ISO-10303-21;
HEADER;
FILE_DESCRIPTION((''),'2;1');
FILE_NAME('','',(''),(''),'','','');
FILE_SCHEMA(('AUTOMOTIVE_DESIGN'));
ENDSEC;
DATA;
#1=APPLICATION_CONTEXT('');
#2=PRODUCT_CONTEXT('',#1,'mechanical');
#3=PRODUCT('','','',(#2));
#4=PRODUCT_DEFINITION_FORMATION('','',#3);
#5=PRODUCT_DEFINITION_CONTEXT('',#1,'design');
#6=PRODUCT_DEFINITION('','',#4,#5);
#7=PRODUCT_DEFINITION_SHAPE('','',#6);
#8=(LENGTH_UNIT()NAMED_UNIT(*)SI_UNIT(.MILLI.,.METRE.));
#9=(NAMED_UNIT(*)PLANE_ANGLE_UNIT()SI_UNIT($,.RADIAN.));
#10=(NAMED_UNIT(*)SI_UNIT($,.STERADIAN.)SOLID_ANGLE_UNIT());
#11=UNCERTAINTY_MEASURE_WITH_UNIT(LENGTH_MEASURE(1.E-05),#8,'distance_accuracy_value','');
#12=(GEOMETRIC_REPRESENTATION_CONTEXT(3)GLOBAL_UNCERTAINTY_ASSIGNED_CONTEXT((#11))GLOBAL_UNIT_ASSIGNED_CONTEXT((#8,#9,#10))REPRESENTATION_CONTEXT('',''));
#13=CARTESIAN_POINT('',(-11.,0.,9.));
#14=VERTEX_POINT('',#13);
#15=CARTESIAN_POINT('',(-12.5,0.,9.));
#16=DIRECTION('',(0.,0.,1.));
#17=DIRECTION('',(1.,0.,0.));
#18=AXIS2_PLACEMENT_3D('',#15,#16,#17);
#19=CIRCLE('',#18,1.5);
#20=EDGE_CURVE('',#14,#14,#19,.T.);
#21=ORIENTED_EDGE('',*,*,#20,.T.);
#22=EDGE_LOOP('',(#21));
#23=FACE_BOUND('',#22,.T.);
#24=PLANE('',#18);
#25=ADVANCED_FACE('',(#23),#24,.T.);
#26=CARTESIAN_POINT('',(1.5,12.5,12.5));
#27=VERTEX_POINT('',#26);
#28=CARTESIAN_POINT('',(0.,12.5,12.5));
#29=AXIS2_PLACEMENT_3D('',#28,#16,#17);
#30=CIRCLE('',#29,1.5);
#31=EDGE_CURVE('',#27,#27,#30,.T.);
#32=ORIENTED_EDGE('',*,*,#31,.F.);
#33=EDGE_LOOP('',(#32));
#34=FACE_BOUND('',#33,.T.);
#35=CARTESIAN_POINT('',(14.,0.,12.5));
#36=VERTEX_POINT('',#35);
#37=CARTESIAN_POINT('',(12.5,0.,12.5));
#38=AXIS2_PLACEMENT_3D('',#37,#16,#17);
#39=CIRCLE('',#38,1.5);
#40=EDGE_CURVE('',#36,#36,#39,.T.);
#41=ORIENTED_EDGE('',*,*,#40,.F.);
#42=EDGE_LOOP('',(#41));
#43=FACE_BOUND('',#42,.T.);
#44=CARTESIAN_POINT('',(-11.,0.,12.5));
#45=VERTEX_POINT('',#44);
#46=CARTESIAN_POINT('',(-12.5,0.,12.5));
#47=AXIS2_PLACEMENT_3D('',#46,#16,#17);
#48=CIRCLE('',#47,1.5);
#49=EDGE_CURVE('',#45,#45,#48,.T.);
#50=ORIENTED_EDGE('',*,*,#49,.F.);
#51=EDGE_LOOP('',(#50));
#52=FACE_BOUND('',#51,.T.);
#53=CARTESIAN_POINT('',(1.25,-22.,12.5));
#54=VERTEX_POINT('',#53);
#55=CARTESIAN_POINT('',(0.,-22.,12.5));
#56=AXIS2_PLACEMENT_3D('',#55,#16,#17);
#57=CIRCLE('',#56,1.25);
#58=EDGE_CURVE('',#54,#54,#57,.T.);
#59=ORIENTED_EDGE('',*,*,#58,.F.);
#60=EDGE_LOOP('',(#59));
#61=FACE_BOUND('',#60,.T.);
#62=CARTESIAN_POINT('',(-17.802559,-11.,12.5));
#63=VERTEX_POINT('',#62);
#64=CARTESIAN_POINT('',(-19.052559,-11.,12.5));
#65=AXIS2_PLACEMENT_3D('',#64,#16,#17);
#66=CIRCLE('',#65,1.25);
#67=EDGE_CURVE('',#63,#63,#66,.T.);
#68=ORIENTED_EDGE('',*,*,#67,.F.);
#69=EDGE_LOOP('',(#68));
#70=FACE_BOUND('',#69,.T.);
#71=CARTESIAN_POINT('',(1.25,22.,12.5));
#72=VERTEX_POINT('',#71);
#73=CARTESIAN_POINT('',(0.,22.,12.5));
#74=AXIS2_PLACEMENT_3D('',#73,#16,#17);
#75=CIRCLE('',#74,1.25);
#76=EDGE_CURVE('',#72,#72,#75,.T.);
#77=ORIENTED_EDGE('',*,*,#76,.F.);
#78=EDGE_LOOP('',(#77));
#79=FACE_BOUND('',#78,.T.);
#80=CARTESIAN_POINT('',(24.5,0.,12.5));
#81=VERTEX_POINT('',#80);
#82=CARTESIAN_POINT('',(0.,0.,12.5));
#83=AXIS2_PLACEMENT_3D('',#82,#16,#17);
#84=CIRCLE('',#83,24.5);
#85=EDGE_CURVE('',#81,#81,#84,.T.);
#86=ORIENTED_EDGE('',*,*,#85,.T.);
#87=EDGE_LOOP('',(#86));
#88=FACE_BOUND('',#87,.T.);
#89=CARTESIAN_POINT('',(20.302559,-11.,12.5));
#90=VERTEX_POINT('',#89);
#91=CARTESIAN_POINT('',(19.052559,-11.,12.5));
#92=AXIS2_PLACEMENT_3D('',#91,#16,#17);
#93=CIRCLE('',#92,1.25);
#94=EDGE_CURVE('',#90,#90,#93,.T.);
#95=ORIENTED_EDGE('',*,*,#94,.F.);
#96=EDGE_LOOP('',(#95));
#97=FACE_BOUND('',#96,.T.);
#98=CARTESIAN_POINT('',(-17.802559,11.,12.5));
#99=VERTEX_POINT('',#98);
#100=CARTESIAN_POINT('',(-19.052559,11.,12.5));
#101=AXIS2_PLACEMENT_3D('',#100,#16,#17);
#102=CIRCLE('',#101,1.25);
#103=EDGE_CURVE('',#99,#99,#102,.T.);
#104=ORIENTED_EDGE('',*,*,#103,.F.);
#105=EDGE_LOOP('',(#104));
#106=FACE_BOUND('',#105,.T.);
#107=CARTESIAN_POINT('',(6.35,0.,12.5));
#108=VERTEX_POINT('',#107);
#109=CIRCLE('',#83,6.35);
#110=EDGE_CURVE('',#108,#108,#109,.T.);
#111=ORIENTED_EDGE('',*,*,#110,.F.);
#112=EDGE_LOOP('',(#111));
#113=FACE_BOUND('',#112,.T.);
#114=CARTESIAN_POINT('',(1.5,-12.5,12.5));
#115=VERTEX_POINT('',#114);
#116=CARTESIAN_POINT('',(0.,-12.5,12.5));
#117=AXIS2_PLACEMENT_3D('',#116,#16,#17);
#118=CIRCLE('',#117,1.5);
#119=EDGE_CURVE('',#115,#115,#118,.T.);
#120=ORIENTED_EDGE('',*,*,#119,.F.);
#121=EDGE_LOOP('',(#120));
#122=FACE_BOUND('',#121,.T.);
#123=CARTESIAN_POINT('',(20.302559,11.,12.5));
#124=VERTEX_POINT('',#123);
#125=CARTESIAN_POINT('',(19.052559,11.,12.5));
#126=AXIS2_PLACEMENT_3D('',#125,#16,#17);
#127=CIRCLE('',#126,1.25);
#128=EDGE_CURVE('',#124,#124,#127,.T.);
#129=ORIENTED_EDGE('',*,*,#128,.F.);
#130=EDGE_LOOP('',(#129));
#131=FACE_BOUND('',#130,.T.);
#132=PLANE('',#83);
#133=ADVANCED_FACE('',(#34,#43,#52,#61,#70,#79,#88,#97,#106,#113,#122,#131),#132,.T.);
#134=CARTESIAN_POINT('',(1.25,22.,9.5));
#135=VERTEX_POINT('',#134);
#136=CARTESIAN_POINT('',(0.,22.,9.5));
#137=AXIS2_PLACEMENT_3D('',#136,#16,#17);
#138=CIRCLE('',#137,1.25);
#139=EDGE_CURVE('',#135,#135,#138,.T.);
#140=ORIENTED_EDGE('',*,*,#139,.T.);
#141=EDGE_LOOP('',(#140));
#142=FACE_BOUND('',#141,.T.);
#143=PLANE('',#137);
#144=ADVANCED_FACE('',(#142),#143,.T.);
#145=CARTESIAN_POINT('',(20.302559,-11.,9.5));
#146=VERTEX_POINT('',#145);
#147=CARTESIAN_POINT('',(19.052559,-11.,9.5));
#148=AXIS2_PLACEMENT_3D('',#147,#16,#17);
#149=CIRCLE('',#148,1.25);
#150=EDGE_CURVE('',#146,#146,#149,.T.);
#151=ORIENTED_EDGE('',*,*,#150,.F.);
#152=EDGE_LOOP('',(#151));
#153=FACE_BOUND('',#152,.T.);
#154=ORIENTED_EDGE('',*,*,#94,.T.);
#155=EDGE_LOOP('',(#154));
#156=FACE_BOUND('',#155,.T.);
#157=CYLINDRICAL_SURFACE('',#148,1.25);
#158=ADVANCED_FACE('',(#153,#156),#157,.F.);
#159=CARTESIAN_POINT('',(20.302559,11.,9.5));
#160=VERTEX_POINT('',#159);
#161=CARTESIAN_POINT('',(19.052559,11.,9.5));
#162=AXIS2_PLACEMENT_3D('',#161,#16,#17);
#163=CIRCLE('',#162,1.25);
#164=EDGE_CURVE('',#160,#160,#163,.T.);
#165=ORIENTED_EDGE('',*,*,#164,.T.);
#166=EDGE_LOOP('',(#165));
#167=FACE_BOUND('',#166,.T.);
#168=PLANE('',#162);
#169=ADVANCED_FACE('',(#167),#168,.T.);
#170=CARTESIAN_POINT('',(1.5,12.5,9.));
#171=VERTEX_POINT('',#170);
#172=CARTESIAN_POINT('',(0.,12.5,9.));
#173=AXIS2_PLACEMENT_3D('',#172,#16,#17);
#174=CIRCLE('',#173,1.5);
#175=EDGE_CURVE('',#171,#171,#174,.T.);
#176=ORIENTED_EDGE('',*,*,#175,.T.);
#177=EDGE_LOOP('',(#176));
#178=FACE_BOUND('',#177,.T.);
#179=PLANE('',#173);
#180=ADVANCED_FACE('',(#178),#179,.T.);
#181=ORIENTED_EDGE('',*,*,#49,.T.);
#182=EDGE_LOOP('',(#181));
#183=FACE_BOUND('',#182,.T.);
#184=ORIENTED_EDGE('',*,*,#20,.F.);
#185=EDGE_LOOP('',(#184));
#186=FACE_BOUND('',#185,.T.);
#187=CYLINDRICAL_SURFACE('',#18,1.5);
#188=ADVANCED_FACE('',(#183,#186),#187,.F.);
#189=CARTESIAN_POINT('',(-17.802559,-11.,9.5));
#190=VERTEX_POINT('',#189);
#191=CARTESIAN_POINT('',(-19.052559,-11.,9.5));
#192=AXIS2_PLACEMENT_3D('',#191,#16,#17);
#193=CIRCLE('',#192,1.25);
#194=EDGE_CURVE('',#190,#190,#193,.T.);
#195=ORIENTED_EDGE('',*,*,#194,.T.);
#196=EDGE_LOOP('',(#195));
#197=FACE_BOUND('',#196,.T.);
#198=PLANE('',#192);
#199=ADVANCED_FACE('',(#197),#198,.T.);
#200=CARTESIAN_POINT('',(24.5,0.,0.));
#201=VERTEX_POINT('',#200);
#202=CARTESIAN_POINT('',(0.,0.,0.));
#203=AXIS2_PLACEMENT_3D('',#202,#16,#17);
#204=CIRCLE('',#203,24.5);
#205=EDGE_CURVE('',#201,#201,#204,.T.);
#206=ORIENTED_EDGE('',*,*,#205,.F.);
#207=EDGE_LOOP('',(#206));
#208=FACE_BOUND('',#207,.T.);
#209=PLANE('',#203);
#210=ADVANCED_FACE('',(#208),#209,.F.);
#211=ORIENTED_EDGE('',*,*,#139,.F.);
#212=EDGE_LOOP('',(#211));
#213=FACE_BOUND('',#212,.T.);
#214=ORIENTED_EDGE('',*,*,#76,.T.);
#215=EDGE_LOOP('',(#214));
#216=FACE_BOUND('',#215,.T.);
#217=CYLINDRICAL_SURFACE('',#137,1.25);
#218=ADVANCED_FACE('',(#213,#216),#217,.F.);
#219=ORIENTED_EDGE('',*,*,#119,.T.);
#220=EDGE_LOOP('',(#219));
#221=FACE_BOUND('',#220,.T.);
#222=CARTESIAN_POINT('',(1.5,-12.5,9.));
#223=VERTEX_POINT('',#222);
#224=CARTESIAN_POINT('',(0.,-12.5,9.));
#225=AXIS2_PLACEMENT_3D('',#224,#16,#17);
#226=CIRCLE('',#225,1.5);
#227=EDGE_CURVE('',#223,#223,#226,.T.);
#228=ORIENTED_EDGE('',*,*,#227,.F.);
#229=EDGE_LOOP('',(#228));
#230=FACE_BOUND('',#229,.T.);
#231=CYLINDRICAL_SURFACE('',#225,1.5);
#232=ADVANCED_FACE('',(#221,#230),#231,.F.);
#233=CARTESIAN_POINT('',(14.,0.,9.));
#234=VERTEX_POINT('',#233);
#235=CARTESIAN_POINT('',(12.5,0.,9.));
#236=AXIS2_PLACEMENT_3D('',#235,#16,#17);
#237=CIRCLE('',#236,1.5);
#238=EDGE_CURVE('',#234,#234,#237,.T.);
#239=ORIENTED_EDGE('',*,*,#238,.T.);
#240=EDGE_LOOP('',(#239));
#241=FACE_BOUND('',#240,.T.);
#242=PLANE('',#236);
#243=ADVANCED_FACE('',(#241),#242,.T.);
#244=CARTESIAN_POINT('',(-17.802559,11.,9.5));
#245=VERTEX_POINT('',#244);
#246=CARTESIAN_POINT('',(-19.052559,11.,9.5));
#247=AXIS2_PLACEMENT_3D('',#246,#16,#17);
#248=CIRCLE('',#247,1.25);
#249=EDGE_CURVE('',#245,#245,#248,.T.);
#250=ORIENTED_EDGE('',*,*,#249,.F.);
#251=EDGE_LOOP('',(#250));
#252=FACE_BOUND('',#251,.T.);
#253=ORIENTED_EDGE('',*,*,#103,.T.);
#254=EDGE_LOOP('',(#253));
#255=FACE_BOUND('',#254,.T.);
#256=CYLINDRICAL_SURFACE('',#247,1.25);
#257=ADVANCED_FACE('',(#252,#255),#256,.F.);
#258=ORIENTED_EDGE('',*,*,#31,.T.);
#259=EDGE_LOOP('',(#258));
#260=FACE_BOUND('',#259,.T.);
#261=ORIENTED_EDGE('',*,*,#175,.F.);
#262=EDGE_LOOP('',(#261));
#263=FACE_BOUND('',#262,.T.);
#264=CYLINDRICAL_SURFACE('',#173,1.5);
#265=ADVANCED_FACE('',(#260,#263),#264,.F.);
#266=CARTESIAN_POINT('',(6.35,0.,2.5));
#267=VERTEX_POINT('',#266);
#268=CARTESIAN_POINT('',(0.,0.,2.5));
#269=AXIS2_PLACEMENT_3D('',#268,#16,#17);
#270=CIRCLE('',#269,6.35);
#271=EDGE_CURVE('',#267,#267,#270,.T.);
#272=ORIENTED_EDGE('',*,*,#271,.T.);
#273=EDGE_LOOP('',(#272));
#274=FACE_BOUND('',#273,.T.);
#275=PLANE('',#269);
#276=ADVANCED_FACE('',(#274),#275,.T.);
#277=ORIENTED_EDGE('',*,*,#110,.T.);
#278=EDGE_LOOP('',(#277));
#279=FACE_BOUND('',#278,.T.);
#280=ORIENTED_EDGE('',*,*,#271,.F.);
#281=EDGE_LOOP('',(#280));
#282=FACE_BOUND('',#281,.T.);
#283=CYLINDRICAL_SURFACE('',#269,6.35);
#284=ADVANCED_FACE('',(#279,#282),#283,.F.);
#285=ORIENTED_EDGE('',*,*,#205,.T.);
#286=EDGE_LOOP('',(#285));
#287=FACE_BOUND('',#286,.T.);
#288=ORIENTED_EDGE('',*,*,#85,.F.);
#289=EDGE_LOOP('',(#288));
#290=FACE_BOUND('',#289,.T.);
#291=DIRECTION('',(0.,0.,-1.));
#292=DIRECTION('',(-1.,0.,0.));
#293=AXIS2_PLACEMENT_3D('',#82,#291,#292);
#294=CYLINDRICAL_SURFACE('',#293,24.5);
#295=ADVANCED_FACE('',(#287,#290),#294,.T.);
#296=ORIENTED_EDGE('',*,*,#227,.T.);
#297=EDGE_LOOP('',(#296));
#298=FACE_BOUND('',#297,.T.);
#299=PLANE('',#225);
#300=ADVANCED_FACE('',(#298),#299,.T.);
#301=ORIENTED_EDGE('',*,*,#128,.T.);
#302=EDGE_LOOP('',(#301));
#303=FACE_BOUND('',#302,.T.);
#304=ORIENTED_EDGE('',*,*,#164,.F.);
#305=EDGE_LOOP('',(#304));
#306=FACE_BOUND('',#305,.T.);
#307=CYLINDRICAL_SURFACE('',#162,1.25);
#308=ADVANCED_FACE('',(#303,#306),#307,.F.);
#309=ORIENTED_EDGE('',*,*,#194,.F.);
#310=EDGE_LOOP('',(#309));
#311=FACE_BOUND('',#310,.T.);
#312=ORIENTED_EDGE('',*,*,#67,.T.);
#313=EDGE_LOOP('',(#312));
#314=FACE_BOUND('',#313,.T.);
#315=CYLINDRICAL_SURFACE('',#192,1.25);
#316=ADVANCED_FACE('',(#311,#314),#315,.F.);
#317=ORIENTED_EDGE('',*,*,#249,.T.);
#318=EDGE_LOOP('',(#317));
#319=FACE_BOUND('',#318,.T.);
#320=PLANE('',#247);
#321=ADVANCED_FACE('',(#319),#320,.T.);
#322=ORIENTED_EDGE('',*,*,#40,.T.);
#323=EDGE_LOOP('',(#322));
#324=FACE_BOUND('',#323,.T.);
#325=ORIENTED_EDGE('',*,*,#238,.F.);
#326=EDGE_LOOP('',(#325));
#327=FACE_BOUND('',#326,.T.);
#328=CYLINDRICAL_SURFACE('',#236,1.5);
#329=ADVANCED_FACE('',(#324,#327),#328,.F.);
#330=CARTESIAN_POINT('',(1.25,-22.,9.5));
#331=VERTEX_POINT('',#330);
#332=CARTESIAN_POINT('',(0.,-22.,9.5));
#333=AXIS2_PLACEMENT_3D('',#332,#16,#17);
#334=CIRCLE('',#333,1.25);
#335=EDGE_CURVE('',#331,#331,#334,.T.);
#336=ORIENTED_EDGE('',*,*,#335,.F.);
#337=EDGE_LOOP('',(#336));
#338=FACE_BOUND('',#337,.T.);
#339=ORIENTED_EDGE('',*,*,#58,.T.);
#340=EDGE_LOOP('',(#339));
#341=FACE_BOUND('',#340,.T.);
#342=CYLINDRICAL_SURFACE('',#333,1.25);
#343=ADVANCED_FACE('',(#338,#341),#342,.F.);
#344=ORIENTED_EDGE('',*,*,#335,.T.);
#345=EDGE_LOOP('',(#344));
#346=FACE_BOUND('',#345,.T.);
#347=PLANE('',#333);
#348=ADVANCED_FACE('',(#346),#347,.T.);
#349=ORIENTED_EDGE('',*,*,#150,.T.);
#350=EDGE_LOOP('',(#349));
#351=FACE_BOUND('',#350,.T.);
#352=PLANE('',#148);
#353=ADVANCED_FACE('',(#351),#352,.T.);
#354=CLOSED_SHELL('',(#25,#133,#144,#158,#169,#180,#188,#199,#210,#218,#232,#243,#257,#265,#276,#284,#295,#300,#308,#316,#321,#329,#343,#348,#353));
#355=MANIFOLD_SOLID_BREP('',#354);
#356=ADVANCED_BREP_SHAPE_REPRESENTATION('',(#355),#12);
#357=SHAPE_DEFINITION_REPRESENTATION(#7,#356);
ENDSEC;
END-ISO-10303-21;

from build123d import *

# Parameters (mm, degrees)
SKETCH_1_R          = 24.5
EXTRUDE_1_DEPTH     = 12.5
SKETCH_2_R          = 1.25
CUT_EXTRUDE_1_DEPTH = 3
SKETCH_3_R          = 1.5
CUT_EXTRUDE_2_DEPTH = 3.5
SKETCH_5_R          = 6.35
CUT_EXTRUDE_3_DEPTH = 10


with BuildPart() as part:
    # 草图1 → 凸台-拉伸1 (new body)
    with BuildSketch(Plane.XY):
        Circle(SKETCH_1_R)
    extrude(amount=EXTRUDE_1_DEPTH)

    # 草图2 → 切除-拉伸1 (cut)
    with BuildSketch(Plane.XY.offset(12.5)):
        with Locations((0, 22)):
            Circle(SKETCH_2_R)
        with Locations((0, -22)):
            Circle(SKETCH_2_R)
        with Locations((19.052558883, 11)):
            Circle(SKETCH_2_R)
        with Locations((-19.052558883, 11)):
            Circle(SKETCH_2_R)
        with Locations((19.052558883, -11)):
            Circle(SKETCH_2_R)
        with Locations((-19.052558883, -11)):
            Circle(SKETCH_2_R)
    extrude(amount=-CUT_EXTRUDE_1_DEPTH, mode=Mode.SUBTRACT)

    # 草图3 → 切除-拉伸2 (cut)
    with BuildSketch(Plane.XY.offset(12.5)):
        with Locations((0, 12.5)):
            Circle(SKETCH_3_R)
        with Locations((0, -12.5)):
            Circle(SKETCH_3_R)
        with Locations((12.5, 0)):
            Circle(SKETCH_3_R)
        with Locations((-12.5, 0)):
            Circle(SKETCH_3_R)
    extrude(amount=-CUT_EXTRUDE_2_DEPTH, mode=Mode.SUBTRACT)

    # 草图5 → 切除-拉伸3 (cut)
    with BuildSketch(Plane.XY.offset(12.5)):
        Circle(SKETCH_5_R)
    extrude(amount=-CUT_EXTRUDE_3_DEPTH, mode=Mode.SUBTRACT)


solid = part.part
